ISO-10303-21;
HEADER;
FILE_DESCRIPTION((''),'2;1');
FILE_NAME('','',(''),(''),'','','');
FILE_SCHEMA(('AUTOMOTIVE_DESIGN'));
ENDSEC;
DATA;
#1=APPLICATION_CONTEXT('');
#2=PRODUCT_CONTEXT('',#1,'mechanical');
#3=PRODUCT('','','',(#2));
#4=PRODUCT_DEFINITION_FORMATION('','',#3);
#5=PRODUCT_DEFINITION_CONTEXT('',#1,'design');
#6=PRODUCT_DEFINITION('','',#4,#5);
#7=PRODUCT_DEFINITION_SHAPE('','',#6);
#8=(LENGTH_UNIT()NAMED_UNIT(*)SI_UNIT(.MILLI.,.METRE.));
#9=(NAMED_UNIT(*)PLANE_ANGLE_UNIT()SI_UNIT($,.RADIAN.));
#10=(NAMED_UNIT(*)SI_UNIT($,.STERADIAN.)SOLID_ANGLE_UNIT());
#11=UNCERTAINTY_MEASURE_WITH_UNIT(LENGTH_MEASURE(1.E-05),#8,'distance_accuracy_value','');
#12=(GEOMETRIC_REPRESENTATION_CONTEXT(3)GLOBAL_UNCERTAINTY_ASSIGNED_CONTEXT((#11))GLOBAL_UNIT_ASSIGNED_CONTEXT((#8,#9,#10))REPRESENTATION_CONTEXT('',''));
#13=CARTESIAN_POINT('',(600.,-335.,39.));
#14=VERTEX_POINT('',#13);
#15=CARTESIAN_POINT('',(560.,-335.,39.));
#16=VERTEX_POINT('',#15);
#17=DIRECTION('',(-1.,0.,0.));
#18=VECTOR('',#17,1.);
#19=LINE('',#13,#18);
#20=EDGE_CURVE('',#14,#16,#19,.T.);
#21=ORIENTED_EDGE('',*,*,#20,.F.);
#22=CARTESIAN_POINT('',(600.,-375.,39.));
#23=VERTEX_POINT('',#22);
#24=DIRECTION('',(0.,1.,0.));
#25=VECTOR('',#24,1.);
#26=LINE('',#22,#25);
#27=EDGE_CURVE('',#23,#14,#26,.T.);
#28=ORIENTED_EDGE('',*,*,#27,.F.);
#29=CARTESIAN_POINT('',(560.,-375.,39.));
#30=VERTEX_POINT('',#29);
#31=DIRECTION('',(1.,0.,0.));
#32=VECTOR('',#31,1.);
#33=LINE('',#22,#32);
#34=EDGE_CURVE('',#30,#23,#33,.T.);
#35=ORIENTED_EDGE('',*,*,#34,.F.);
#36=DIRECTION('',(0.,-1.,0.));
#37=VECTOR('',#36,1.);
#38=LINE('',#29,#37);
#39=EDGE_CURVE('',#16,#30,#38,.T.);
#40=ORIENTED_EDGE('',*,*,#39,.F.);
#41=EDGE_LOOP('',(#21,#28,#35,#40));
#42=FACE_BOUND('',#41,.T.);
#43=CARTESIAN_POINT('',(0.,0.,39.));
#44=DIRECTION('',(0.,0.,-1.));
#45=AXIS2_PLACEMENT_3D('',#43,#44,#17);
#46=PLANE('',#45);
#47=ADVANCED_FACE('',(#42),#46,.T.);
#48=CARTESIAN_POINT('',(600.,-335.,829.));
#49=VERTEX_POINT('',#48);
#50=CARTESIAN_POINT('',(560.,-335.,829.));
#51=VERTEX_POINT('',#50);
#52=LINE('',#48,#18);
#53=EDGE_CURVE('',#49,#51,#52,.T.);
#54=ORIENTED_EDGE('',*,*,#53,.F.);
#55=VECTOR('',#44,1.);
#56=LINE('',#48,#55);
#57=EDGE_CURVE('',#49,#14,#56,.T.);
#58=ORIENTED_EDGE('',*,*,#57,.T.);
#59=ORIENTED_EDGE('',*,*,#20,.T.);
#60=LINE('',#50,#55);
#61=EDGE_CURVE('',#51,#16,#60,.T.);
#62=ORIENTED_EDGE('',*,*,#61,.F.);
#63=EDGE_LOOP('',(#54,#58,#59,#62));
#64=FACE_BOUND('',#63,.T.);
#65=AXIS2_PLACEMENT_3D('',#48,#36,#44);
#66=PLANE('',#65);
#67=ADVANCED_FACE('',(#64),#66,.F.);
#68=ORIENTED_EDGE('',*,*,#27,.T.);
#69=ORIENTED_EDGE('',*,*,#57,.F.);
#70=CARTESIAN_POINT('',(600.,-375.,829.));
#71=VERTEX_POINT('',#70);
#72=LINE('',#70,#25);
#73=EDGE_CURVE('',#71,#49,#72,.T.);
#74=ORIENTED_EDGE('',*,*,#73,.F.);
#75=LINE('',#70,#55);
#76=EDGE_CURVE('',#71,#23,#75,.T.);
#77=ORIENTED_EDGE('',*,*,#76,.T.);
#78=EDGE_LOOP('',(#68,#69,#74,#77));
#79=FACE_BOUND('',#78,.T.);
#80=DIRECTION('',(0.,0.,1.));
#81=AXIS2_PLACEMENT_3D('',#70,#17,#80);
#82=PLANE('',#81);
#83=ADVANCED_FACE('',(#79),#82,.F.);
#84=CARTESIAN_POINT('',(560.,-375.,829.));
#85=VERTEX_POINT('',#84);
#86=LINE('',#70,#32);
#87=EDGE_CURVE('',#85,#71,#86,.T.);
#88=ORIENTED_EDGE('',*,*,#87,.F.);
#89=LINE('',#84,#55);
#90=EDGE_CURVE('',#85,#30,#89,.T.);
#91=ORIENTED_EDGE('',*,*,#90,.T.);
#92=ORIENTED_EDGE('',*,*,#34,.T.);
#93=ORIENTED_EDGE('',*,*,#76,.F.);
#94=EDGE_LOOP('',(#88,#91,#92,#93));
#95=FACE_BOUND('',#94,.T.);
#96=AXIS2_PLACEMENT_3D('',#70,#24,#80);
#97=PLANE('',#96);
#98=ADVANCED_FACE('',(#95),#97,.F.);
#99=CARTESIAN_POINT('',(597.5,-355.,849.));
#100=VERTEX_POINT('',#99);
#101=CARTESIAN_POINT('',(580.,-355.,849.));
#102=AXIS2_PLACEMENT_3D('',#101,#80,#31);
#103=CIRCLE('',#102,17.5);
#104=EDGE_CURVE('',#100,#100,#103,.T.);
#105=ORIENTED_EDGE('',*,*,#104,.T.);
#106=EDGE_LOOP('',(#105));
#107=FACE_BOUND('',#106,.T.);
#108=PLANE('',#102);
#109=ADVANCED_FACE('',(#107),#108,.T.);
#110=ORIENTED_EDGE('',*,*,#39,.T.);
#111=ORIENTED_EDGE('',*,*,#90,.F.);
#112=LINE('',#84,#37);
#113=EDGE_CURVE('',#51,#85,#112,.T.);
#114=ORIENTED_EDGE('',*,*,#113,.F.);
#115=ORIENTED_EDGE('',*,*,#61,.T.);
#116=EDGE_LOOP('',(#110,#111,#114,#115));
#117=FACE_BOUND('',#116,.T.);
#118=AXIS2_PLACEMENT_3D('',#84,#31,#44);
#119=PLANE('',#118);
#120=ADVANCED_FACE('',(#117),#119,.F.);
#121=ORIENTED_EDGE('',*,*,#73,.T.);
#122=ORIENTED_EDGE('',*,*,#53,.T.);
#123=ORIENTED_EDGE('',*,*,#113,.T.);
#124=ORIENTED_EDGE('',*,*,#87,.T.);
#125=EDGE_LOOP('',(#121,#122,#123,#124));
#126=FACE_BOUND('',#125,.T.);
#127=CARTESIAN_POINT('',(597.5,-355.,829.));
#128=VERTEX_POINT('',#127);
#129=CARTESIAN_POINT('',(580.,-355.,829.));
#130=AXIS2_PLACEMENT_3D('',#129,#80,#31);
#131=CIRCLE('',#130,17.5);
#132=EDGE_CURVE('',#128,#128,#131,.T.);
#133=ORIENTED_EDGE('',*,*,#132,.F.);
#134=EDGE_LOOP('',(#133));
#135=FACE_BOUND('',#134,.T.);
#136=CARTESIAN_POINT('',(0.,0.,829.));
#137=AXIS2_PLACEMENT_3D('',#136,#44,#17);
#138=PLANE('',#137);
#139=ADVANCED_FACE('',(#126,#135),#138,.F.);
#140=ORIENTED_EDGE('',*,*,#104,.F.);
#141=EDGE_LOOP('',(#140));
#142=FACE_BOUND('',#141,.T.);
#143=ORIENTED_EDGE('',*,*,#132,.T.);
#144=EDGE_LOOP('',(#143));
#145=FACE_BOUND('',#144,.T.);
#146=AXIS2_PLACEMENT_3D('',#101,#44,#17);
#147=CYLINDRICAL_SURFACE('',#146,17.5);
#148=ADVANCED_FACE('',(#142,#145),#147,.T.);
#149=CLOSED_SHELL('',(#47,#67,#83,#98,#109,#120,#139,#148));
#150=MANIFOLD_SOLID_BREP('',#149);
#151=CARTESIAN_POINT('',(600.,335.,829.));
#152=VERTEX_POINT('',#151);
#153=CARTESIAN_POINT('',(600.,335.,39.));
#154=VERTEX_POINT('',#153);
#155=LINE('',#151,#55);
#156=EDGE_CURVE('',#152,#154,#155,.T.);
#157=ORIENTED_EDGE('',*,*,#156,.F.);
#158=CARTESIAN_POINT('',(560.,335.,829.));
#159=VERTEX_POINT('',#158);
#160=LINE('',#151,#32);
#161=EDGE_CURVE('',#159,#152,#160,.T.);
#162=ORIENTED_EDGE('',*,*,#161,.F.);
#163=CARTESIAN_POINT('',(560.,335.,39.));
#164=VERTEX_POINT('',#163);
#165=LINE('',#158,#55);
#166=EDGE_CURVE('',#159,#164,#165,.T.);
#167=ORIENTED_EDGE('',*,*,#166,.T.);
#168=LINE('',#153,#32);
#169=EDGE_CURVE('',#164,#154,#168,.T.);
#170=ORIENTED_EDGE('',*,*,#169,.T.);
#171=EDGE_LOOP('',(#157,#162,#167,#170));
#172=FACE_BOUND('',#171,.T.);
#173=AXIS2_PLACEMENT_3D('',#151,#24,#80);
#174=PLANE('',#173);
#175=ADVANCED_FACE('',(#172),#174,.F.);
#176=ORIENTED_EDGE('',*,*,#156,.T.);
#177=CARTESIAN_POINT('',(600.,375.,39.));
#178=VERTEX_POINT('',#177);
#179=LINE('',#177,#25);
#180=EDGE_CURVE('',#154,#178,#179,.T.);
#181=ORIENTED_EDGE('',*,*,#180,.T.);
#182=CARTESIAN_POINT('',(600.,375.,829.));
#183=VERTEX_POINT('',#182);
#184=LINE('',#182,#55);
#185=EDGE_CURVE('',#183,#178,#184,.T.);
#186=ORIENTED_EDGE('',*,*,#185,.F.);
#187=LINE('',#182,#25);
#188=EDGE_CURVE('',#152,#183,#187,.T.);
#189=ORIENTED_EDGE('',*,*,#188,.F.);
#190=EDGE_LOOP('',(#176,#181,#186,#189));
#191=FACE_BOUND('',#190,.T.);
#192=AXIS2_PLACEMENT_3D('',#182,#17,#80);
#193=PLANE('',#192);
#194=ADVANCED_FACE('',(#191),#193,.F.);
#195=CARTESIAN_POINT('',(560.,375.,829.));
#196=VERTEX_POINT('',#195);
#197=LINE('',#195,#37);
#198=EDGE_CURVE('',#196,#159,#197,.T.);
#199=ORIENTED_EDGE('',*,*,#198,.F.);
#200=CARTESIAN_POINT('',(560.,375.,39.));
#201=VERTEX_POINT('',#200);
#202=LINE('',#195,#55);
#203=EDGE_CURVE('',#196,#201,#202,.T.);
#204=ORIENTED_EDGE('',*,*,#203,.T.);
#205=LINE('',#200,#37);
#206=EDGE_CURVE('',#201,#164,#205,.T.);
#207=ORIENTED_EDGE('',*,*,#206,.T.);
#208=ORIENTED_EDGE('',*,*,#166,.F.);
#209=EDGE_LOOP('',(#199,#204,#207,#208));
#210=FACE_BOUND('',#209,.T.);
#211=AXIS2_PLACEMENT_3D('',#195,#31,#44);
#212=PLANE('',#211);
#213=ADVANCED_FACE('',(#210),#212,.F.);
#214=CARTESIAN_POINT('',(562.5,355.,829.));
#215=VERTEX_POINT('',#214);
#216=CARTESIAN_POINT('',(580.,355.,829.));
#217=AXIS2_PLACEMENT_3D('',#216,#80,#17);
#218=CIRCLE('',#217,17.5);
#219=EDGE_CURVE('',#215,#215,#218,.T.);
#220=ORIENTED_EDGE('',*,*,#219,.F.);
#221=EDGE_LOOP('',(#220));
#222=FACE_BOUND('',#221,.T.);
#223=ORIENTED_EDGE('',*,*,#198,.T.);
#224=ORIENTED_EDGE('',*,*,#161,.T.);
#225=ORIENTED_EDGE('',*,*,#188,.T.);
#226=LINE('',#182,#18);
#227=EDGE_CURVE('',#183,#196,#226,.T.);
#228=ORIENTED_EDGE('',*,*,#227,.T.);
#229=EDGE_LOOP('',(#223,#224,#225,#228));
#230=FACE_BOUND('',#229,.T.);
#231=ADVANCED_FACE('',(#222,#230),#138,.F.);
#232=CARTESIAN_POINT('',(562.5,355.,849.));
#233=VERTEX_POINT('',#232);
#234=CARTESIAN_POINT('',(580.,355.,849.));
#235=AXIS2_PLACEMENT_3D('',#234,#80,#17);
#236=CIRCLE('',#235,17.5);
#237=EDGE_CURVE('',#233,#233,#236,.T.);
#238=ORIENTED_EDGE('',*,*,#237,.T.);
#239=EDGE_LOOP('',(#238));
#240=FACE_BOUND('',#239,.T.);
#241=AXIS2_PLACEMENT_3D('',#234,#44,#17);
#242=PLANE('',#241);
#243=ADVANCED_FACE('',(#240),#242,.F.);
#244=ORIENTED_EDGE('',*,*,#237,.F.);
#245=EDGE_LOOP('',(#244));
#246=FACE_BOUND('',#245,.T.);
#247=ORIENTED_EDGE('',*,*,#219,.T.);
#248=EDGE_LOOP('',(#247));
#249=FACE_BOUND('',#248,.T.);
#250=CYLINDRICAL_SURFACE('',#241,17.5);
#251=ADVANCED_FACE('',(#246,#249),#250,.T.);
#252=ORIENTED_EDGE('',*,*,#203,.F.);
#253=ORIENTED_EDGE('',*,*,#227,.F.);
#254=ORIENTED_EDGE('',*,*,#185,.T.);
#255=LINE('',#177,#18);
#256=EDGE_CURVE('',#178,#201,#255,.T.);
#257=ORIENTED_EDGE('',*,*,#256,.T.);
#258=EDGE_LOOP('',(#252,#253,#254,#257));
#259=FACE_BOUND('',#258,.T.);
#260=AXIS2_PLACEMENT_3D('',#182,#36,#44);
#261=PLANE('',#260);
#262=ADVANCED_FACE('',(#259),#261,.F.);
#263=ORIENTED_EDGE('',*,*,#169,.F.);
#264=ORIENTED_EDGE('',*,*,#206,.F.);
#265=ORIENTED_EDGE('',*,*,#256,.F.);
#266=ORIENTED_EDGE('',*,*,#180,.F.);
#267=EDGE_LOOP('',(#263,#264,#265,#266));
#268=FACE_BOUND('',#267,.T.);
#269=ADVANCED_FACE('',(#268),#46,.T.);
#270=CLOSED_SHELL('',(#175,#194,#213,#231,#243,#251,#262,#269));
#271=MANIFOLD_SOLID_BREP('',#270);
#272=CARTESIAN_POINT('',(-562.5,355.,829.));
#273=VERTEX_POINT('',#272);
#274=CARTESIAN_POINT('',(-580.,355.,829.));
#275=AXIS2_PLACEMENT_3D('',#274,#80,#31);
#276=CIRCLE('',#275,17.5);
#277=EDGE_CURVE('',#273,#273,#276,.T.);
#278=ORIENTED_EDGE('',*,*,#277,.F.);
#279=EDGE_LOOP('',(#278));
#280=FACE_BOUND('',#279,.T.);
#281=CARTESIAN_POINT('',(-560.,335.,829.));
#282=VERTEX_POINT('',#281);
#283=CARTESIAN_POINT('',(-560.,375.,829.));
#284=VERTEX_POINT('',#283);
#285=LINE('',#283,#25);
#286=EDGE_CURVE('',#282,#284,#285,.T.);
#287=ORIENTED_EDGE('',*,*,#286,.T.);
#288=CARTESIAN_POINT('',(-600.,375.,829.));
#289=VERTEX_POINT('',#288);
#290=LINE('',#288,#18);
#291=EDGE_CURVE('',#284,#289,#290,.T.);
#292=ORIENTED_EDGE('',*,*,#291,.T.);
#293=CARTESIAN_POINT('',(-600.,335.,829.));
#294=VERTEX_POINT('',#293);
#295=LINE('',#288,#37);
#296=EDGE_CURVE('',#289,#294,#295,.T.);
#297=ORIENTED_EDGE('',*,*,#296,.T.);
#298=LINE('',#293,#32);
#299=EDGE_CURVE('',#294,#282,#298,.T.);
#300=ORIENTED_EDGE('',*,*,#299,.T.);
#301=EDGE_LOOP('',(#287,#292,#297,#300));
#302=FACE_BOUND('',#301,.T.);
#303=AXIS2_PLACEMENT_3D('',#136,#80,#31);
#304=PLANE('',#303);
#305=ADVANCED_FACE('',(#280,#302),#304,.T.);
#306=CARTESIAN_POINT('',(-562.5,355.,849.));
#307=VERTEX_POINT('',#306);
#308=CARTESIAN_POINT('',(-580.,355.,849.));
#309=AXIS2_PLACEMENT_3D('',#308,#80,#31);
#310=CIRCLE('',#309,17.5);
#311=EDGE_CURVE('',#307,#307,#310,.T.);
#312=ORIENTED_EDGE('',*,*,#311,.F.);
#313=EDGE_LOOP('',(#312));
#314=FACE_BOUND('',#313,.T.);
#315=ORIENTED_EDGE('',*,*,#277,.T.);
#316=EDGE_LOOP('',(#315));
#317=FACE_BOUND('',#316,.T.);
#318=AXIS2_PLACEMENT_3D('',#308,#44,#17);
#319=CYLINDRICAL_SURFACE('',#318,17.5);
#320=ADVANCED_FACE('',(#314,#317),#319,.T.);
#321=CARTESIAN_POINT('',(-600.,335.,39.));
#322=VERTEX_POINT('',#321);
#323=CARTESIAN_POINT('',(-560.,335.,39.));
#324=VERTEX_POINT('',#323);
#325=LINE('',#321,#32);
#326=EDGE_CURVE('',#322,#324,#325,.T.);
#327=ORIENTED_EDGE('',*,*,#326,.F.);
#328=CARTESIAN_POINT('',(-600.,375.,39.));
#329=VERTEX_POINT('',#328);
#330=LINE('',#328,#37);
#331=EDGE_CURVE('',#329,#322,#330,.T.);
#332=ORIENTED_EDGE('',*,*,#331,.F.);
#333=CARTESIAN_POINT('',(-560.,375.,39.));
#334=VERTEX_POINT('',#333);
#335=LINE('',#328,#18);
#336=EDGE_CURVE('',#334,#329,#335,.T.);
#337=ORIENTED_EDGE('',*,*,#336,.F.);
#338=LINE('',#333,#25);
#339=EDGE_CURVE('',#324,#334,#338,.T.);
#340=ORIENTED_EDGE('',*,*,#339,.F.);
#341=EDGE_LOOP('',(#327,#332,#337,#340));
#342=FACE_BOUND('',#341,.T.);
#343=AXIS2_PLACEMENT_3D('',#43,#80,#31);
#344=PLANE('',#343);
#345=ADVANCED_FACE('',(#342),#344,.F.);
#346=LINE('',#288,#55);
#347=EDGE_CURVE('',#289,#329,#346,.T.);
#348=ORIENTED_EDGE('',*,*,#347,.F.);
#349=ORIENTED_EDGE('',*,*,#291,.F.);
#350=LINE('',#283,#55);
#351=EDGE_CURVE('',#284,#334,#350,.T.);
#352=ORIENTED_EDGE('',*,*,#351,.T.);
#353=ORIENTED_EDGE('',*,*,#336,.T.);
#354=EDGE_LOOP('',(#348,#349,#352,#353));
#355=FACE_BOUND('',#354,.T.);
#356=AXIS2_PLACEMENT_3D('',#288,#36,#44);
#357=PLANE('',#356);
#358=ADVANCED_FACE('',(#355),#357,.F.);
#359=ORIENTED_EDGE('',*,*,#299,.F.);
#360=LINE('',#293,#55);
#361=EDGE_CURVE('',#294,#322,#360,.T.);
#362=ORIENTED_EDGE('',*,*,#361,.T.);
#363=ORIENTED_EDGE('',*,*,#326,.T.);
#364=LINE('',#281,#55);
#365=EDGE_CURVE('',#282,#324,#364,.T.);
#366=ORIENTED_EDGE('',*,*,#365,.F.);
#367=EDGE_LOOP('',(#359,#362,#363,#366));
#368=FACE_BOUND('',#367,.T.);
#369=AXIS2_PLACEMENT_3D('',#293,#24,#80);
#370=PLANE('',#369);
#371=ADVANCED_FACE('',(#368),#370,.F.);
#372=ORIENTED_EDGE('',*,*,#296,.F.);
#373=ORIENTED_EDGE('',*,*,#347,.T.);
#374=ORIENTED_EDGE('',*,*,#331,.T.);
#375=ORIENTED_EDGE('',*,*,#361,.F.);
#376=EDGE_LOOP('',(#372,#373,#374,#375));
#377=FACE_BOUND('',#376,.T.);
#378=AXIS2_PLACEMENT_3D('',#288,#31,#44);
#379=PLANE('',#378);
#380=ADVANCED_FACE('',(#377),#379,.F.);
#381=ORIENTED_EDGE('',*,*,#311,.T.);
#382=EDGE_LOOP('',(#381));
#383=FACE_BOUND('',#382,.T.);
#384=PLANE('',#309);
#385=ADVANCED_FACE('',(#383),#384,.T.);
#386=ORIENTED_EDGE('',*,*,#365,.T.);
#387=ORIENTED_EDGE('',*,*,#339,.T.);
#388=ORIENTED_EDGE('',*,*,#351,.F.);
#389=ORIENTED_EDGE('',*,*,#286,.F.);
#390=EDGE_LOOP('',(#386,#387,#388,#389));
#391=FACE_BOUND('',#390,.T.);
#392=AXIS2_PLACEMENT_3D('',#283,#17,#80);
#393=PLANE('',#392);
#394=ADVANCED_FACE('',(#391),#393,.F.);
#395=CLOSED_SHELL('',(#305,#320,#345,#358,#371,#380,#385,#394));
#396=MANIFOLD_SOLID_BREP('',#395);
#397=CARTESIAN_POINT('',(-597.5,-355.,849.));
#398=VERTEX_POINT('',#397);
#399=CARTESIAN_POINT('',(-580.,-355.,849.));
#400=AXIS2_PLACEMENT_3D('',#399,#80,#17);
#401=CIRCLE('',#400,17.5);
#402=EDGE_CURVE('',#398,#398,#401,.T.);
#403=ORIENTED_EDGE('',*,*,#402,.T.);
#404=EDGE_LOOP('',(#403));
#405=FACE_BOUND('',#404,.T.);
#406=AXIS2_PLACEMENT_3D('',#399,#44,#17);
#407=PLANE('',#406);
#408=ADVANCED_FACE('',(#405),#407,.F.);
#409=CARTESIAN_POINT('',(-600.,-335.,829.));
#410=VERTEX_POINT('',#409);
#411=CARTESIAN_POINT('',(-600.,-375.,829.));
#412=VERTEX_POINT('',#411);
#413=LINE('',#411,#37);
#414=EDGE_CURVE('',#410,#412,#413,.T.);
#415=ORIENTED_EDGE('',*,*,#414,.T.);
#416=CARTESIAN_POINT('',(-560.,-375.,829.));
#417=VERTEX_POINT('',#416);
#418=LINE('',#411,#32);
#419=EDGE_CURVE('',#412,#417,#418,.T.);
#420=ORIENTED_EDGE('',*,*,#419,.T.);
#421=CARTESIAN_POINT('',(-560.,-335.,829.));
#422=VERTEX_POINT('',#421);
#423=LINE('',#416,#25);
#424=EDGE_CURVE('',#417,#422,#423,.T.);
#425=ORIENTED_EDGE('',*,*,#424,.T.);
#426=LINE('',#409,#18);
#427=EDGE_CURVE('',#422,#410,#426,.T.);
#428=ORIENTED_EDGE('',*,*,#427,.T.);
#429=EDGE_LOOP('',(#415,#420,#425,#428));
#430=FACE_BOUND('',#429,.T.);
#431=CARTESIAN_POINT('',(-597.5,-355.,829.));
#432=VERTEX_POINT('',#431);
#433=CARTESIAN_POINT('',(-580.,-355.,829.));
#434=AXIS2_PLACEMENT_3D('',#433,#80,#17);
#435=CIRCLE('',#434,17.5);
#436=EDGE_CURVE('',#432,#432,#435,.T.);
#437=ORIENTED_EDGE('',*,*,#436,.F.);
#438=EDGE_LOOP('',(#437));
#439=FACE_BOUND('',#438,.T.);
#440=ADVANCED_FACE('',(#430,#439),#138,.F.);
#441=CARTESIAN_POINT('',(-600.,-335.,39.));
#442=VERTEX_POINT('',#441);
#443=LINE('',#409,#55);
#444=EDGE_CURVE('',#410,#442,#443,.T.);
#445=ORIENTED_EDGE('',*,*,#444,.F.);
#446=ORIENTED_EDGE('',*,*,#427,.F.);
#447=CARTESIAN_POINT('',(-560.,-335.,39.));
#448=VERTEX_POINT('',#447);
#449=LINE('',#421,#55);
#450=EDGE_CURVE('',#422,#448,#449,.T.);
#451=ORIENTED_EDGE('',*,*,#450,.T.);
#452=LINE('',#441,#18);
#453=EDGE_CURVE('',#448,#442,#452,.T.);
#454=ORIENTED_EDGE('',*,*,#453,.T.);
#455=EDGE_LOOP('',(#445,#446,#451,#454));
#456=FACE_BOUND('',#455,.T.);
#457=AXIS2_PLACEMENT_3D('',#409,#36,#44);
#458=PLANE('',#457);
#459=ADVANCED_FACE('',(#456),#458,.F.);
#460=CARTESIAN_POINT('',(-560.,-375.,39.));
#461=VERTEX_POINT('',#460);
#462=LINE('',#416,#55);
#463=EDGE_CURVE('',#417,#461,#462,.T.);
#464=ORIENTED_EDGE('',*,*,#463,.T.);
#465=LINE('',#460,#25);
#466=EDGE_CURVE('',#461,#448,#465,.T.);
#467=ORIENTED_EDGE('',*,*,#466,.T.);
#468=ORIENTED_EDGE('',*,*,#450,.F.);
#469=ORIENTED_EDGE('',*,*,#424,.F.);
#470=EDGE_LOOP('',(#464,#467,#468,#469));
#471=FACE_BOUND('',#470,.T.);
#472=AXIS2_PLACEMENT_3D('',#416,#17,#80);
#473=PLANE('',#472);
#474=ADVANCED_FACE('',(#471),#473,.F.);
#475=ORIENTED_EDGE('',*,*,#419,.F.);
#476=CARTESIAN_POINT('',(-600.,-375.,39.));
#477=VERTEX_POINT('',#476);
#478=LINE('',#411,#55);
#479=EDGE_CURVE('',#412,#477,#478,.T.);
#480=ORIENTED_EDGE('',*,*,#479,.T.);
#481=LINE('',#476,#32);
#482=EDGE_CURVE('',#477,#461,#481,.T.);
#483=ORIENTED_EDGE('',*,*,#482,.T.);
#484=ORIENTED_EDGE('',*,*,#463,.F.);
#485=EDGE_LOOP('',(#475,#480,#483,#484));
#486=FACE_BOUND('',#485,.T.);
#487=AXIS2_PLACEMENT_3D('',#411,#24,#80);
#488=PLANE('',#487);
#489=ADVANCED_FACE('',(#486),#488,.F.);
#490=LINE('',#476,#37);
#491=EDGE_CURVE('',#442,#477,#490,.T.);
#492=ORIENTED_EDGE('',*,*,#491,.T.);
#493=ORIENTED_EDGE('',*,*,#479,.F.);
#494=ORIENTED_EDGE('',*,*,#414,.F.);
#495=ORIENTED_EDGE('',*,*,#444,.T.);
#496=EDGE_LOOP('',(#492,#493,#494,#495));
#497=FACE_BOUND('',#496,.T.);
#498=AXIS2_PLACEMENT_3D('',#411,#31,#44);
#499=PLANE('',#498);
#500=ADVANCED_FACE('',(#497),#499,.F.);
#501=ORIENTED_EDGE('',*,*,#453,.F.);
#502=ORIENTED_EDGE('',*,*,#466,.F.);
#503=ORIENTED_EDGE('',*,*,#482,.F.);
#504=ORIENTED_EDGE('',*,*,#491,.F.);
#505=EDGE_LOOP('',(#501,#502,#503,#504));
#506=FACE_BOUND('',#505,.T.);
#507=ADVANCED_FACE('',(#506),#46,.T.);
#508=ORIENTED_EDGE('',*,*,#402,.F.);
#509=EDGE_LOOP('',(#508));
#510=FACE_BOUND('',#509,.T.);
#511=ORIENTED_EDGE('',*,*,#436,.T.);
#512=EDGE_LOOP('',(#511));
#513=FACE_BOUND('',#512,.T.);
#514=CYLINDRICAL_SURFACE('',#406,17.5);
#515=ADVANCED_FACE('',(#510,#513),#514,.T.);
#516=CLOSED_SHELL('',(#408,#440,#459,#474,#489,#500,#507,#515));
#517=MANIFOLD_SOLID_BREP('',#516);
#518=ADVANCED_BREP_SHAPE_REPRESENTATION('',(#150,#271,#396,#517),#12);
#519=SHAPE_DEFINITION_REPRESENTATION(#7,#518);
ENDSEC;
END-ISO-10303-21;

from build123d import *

# Parameters (mm, degrees)
SKETCH2_W             = 40
SKETCH2_H             = 40
BOSS_EXTRUDE1_DEPTH   = 790
BOSS_EXTRUDE1_2_DEPTH = 790
BOSS_EXTRUDE1_3_DEPTH = 790
BOSS_EXTRUDE1_4_DEPTH = 790
SKETCH3_R             = 17.5
BOSS_EXTRUDE2_DEPTH   = 20


with BuildPart() as part:
    # Sketch2 → Boss-Extrude1 (new body)
    with BuildSketch(Plane.XY.offset(39)):
        with Locations((-580, 355)):
            Rectangle(SKETCH2_W, SKETCH2_H)
    extrude(amount=BOSS_EXTRUDE1_DEPTH)



with BuildPart() as body_2:
    # Sketch2 → Boss-Extrude1 2 (new body)
    with BuildSketch(Plane.XY.offset(39)):
        with Locations((580, 355)):
            Rectangle(SKETCH2_W, SKETCH2_H)
    extrude(amount=BOSS_EXTRUDE1_2_DEPTH)


with BuildPart() as body_3:
    # Sketch2 → Boss-Extrude1 3 (new body)
    with BuildSketch(Plane.XY.offset(39)):
        with Locations((580, -355)):
            Rectangle(SKETCH2_W, SKETCH2_H)
    extrude(amount=BOSS_EXTRUDE1_3_DEPTH)


with BuildPart() as body_4:
    # Sketch2 → Boss-Extrude1 4 (new body)
    with BuildSketch(Plane.XY.offset(39)):
        with Locations((-580, -355)):
            Rectangle(SKETCH2_W, SKETCH2_H)
    extrude(amount=BOSS_EXTRUDE1_4_DEPTH)


with BuildPart() as part_1:
    add(part.part)

    add(body_2.part)  # Boss-Extrude2 merges body 2

    add(body_3.part)  # Boss-Extrude2 merges body 3

    add(body_4.part)  # Boss-Extrude2 merges body 4
    # Sketch3 → Boss-Extrude2 (add)
    with BuildSketch(Plane.XY.offset(829)):
        with Locations((-580, 355)):
            Circle(SKETCH3_R)
        with Locations((580, 355)):
            Circle(SKETCH3_R)
        with Locations((-580, -355)):
            Circle(SKETCH3_R)
        with Locations((580, -355)):
            Circle(SKETCH3_R)
    extrude(amount=BOSS_EXTRUDE2_DEPTH)


solid = part_1.part
